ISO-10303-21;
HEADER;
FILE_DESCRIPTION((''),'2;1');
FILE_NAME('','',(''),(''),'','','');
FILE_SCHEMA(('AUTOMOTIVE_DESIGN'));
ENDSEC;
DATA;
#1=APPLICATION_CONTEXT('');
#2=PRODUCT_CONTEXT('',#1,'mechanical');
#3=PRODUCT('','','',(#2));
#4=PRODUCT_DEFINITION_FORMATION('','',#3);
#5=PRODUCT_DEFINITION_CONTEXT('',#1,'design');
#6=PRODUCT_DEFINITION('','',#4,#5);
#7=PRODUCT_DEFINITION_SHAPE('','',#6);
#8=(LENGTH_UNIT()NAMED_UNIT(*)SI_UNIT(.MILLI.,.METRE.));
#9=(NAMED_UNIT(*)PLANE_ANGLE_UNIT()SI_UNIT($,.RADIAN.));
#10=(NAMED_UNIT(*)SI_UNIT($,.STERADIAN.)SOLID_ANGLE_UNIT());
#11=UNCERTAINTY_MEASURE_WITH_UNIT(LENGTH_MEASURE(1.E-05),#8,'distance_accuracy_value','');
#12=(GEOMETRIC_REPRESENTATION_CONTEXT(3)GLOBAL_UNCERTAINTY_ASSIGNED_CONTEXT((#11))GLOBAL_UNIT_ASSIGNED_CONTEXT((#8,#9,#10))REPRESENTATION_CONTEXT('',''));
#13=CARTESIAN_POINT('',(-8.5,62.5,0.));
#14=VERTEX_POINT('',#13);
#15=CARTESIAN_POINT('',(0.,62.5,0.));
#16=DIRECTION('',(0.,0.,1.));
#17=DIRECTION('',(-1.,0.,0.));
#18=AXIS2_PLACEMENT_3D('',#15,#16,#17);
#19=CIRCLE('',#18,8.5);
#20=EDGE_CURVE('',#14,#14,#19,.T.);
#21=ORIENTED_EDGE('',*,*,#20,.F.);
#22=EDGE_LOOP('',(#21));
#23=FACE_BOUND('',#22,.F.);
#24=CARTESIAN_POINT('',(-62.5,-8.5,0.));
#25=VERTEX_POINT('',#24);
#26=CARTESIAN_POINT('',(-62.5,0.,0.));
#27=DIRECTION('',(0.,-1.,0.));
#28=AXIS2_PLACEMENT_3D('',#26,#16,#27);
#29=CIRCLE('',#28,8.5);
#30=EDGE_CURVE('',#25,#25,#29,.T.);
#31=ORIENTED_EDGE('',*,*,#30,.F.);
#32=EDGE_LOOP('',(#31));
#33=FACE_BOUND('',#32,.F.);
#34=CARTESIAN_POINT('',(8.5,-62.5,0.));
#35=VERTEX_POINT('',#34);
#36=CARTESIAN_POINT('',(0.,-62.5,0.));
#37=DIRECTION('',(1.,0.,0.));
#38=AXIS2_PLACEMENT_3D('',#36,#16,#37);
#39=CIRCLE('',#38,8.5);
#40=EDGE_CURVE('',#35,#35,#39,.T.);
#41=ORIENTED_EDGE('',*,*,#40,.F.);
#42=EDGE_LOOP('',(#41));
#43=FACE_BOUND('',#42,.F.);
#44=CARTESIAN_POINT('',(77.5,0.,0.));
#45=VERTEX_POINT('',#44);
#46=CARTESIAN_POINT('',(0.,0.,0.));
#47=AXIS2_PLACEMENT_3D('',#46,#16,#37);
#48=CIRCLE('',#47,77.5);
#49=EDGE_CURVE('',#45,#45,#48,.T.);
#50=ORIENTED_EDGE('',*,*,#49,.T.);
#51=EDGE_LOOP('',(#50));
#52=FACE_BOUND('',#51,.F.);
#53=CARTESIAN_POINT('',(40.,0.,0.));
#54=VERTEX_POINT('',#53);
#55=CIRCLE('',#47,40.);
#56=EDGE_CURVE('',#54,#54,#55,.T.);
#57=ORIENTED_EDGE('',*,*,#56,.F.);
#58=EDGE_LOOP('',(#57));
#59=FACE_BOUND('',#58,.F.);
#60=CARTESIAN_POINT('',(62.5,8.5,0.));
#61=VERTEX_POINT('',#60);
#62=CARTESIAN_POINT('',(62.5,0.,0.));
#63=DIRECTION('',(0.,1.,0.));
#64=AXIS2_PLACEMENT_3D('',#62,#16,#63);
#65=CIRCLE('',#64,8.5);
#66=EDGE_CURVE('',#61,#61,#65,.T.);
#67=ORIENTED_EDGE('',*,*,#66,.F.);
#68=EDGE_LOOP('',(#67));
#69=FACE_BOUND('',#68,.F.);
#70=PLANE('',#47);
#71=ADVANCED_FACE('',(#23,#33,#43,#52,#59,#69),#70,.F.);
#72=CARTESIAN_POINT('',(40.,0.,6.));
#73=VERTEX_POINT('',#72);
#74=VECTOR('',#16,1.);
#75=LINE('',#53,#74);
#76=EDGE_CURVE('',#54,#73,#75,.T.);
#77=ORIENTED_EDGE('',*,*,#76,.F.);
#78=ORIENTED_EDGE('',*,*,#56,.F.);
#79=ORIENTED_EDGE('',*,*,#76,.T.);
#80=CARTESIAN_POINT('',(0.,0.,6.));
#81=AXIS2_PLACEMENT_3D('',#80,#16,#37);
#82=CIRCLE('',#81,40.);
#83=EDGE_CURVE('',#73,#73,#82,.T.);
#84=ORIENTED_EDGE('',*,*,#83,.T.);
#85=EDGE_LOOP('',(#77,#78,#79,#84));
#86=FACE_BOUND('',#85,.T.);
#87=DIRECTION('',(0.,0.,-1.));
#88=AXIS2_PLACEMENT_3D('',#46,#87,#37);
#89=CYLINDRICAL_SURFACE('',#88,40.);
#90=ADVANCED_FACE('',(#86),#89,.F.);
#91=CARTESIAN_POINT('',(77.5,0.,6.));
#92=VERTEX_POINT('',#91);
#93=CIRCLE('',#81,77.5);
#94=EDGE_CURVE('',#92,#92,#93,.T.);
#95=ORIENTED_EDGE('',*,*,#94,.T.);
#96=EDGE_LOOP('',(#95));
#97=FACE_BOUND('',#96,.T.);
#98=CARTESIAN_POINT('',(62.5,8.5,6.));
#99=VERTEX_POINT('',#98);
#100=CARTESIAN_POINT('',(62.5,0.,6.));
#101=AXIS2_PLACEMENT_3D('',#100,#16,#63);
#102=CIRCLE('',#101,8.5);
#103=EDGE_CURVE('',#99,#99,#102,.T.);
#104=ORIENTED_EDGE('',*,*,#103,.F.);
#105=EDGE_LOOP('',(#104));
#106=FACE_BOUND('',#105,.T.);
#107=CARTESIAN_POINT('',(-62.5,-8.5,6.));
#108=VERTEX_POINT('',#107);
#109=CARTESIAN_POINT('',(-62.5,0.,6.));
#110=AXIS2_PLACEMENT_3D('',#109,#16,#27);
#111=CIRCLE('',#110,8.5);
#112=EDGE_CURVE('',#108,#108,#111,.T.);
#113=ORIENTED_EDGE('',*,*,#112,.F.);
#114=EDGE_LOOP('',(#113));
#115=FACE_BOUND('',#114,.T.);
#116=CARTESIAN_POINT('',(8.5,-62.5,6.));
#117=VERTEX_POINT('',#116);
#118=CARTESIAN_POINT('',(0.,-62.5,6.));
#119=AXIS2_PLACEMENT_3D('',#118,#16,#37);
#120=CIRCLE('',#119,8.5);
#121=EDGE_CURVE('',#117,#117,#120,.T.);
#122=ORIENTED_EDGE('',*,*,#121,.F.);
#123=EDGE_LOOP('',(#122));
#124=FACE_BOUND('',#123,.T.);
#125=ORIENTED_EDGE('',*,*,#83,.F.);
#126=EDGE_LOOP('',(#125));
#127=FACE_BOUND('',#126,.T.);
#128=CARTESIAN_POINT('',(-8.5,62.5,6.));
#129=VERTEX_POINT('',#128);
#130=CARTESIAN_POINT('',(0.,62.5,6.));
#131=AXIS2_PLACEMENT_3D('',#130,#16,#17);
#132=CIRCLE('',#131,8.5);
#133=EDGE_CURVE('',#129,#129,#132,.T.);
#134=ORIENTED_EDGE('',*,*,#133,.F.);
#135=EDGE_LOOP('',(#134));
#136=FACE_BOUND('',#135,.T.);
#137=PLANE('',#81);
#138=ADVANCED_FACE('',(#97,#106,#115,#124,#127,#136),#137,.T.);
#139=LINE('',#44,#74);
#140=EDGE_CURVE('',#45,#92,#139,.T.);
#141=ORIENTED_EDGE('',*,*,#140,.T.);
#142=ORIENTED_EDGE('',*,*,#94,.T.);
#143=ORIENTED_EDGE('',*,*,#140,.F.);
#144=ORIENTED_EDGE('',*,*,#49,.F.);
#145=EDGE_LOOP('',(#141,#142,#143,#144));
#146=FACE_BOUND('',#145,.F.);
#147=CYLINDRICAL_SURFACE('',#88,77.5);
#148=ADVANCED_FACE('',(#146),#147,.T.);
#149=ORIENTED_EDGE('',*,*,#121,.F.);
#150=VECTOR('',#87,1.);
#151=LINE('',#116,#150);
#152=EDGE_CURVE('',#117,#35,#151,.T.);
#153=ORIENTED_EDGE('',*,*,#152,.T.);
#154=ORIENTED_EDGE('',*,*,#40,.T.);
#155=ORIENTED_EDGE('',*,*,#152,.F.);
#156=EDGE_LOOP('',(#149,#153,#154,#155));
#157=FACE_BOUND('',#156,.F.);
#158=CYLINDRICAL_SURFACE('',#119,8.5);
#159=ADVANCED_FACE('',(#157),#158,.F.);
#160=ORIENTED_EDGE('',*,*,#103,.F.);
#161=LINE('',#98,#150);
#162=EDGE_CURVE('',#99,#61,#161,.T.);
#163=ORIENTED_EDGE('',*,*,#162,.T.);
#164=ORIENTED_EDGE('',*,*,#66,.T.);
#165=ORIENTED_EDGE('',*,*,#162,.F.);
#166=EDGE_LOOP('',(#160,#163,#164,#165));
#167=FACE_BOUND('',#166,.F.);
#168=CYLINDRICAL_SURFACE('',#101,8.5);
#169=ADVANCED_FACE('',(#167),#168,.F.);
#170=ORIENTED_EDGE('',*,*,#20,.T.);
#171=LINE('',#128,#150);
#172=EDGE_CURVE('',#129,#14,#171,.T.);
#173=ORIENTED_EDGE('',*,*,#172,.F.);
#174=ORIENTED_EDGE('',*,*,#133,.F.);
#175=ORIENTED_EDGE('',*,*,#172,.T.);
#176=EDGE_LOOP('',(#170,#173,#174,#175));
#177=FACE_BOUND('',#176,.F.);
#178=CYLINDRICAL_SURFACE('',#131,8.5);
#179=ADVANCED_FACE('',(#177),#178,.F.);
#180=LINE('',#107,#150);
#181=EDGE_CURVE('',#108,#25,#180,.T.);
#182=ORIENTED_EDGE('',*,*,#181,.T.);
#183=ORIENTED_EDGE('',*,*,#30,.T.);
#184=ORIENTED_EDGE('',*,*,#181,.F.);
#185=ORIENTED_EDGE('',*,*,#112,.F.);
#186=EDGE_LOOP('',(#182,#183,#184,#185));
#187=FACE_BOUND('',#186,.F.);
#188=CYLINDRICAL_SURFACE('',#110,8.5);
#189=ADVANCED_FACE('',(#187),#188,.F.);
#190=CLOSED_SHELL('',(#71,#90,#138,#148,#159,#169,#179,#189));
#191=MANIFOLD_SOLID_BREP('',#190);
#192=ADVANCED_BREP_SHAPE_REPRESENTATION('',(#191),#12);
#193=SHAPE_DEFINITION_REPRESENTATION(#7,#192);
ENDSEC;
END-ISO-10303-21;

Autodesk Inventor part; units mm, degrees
ref_plane "YZ Plane" through (0, 0, 0) normal (1, 0, 0) x (0, 1, 0)
ref_plane "XZ Plane" through (0, 0, 0) normal (0, 1, 0) x (-1, 0, 0)
ref_plane "XY Plane" through (0, 0, 0) normal (0, 0, 1) x (1, 0, 0)
sketch "Sketch1" plane through (0, 0, 0) normal (0, 0, 1) x (1, 0, 0)
  circle A0 centre (0, 0) radius 77.5
  circle A1 centre (0, 0) radius 40
  dimension "d22" = 155
  dimension "d23" = 80
extrude "Plate1" add sketch "Sketch1" along normal blind 6
sketch "Sketch5" plane through (0, 0, 6) normal (0, 0, 1) x (1, 0, 0)
  circle A0 centre (0, -62.5) radius 8.5
  point P0 (0, 0)
  dimension "d24" = 62.5
  dimension "d25" = 17
extrude "Cut1" cut sketch "Sketch5" against normal blind 6
pattern_circular "Circular Pattern1" count 4 over 360 about axis through (0, 0, 0) along (0, 0, 1) of "Cut1"
equation "\"d26\" = Thickness"
equation "\"d2\" = Thickness"
equation "\"BendReliefWidth\" = Thickness"
equation "\"BendReliefDepth\" = 0.5 * Thickness"
equation "\"CornerReliefSize\" = 4 * Thickness"
equation "\"MinimumRemnant\" = 2 * Thickness"
equation "\"TransitionRadius\" = BendRadius"
equation "\"JacobiRadiusSize\" = BendRadius"
equation "\"GapSize\" = Thickness"
equation "\"Thickness\" = 6"
equation "\"BendRadius\" = 5"
properties part number "Flange DN 50" material "Steel"
